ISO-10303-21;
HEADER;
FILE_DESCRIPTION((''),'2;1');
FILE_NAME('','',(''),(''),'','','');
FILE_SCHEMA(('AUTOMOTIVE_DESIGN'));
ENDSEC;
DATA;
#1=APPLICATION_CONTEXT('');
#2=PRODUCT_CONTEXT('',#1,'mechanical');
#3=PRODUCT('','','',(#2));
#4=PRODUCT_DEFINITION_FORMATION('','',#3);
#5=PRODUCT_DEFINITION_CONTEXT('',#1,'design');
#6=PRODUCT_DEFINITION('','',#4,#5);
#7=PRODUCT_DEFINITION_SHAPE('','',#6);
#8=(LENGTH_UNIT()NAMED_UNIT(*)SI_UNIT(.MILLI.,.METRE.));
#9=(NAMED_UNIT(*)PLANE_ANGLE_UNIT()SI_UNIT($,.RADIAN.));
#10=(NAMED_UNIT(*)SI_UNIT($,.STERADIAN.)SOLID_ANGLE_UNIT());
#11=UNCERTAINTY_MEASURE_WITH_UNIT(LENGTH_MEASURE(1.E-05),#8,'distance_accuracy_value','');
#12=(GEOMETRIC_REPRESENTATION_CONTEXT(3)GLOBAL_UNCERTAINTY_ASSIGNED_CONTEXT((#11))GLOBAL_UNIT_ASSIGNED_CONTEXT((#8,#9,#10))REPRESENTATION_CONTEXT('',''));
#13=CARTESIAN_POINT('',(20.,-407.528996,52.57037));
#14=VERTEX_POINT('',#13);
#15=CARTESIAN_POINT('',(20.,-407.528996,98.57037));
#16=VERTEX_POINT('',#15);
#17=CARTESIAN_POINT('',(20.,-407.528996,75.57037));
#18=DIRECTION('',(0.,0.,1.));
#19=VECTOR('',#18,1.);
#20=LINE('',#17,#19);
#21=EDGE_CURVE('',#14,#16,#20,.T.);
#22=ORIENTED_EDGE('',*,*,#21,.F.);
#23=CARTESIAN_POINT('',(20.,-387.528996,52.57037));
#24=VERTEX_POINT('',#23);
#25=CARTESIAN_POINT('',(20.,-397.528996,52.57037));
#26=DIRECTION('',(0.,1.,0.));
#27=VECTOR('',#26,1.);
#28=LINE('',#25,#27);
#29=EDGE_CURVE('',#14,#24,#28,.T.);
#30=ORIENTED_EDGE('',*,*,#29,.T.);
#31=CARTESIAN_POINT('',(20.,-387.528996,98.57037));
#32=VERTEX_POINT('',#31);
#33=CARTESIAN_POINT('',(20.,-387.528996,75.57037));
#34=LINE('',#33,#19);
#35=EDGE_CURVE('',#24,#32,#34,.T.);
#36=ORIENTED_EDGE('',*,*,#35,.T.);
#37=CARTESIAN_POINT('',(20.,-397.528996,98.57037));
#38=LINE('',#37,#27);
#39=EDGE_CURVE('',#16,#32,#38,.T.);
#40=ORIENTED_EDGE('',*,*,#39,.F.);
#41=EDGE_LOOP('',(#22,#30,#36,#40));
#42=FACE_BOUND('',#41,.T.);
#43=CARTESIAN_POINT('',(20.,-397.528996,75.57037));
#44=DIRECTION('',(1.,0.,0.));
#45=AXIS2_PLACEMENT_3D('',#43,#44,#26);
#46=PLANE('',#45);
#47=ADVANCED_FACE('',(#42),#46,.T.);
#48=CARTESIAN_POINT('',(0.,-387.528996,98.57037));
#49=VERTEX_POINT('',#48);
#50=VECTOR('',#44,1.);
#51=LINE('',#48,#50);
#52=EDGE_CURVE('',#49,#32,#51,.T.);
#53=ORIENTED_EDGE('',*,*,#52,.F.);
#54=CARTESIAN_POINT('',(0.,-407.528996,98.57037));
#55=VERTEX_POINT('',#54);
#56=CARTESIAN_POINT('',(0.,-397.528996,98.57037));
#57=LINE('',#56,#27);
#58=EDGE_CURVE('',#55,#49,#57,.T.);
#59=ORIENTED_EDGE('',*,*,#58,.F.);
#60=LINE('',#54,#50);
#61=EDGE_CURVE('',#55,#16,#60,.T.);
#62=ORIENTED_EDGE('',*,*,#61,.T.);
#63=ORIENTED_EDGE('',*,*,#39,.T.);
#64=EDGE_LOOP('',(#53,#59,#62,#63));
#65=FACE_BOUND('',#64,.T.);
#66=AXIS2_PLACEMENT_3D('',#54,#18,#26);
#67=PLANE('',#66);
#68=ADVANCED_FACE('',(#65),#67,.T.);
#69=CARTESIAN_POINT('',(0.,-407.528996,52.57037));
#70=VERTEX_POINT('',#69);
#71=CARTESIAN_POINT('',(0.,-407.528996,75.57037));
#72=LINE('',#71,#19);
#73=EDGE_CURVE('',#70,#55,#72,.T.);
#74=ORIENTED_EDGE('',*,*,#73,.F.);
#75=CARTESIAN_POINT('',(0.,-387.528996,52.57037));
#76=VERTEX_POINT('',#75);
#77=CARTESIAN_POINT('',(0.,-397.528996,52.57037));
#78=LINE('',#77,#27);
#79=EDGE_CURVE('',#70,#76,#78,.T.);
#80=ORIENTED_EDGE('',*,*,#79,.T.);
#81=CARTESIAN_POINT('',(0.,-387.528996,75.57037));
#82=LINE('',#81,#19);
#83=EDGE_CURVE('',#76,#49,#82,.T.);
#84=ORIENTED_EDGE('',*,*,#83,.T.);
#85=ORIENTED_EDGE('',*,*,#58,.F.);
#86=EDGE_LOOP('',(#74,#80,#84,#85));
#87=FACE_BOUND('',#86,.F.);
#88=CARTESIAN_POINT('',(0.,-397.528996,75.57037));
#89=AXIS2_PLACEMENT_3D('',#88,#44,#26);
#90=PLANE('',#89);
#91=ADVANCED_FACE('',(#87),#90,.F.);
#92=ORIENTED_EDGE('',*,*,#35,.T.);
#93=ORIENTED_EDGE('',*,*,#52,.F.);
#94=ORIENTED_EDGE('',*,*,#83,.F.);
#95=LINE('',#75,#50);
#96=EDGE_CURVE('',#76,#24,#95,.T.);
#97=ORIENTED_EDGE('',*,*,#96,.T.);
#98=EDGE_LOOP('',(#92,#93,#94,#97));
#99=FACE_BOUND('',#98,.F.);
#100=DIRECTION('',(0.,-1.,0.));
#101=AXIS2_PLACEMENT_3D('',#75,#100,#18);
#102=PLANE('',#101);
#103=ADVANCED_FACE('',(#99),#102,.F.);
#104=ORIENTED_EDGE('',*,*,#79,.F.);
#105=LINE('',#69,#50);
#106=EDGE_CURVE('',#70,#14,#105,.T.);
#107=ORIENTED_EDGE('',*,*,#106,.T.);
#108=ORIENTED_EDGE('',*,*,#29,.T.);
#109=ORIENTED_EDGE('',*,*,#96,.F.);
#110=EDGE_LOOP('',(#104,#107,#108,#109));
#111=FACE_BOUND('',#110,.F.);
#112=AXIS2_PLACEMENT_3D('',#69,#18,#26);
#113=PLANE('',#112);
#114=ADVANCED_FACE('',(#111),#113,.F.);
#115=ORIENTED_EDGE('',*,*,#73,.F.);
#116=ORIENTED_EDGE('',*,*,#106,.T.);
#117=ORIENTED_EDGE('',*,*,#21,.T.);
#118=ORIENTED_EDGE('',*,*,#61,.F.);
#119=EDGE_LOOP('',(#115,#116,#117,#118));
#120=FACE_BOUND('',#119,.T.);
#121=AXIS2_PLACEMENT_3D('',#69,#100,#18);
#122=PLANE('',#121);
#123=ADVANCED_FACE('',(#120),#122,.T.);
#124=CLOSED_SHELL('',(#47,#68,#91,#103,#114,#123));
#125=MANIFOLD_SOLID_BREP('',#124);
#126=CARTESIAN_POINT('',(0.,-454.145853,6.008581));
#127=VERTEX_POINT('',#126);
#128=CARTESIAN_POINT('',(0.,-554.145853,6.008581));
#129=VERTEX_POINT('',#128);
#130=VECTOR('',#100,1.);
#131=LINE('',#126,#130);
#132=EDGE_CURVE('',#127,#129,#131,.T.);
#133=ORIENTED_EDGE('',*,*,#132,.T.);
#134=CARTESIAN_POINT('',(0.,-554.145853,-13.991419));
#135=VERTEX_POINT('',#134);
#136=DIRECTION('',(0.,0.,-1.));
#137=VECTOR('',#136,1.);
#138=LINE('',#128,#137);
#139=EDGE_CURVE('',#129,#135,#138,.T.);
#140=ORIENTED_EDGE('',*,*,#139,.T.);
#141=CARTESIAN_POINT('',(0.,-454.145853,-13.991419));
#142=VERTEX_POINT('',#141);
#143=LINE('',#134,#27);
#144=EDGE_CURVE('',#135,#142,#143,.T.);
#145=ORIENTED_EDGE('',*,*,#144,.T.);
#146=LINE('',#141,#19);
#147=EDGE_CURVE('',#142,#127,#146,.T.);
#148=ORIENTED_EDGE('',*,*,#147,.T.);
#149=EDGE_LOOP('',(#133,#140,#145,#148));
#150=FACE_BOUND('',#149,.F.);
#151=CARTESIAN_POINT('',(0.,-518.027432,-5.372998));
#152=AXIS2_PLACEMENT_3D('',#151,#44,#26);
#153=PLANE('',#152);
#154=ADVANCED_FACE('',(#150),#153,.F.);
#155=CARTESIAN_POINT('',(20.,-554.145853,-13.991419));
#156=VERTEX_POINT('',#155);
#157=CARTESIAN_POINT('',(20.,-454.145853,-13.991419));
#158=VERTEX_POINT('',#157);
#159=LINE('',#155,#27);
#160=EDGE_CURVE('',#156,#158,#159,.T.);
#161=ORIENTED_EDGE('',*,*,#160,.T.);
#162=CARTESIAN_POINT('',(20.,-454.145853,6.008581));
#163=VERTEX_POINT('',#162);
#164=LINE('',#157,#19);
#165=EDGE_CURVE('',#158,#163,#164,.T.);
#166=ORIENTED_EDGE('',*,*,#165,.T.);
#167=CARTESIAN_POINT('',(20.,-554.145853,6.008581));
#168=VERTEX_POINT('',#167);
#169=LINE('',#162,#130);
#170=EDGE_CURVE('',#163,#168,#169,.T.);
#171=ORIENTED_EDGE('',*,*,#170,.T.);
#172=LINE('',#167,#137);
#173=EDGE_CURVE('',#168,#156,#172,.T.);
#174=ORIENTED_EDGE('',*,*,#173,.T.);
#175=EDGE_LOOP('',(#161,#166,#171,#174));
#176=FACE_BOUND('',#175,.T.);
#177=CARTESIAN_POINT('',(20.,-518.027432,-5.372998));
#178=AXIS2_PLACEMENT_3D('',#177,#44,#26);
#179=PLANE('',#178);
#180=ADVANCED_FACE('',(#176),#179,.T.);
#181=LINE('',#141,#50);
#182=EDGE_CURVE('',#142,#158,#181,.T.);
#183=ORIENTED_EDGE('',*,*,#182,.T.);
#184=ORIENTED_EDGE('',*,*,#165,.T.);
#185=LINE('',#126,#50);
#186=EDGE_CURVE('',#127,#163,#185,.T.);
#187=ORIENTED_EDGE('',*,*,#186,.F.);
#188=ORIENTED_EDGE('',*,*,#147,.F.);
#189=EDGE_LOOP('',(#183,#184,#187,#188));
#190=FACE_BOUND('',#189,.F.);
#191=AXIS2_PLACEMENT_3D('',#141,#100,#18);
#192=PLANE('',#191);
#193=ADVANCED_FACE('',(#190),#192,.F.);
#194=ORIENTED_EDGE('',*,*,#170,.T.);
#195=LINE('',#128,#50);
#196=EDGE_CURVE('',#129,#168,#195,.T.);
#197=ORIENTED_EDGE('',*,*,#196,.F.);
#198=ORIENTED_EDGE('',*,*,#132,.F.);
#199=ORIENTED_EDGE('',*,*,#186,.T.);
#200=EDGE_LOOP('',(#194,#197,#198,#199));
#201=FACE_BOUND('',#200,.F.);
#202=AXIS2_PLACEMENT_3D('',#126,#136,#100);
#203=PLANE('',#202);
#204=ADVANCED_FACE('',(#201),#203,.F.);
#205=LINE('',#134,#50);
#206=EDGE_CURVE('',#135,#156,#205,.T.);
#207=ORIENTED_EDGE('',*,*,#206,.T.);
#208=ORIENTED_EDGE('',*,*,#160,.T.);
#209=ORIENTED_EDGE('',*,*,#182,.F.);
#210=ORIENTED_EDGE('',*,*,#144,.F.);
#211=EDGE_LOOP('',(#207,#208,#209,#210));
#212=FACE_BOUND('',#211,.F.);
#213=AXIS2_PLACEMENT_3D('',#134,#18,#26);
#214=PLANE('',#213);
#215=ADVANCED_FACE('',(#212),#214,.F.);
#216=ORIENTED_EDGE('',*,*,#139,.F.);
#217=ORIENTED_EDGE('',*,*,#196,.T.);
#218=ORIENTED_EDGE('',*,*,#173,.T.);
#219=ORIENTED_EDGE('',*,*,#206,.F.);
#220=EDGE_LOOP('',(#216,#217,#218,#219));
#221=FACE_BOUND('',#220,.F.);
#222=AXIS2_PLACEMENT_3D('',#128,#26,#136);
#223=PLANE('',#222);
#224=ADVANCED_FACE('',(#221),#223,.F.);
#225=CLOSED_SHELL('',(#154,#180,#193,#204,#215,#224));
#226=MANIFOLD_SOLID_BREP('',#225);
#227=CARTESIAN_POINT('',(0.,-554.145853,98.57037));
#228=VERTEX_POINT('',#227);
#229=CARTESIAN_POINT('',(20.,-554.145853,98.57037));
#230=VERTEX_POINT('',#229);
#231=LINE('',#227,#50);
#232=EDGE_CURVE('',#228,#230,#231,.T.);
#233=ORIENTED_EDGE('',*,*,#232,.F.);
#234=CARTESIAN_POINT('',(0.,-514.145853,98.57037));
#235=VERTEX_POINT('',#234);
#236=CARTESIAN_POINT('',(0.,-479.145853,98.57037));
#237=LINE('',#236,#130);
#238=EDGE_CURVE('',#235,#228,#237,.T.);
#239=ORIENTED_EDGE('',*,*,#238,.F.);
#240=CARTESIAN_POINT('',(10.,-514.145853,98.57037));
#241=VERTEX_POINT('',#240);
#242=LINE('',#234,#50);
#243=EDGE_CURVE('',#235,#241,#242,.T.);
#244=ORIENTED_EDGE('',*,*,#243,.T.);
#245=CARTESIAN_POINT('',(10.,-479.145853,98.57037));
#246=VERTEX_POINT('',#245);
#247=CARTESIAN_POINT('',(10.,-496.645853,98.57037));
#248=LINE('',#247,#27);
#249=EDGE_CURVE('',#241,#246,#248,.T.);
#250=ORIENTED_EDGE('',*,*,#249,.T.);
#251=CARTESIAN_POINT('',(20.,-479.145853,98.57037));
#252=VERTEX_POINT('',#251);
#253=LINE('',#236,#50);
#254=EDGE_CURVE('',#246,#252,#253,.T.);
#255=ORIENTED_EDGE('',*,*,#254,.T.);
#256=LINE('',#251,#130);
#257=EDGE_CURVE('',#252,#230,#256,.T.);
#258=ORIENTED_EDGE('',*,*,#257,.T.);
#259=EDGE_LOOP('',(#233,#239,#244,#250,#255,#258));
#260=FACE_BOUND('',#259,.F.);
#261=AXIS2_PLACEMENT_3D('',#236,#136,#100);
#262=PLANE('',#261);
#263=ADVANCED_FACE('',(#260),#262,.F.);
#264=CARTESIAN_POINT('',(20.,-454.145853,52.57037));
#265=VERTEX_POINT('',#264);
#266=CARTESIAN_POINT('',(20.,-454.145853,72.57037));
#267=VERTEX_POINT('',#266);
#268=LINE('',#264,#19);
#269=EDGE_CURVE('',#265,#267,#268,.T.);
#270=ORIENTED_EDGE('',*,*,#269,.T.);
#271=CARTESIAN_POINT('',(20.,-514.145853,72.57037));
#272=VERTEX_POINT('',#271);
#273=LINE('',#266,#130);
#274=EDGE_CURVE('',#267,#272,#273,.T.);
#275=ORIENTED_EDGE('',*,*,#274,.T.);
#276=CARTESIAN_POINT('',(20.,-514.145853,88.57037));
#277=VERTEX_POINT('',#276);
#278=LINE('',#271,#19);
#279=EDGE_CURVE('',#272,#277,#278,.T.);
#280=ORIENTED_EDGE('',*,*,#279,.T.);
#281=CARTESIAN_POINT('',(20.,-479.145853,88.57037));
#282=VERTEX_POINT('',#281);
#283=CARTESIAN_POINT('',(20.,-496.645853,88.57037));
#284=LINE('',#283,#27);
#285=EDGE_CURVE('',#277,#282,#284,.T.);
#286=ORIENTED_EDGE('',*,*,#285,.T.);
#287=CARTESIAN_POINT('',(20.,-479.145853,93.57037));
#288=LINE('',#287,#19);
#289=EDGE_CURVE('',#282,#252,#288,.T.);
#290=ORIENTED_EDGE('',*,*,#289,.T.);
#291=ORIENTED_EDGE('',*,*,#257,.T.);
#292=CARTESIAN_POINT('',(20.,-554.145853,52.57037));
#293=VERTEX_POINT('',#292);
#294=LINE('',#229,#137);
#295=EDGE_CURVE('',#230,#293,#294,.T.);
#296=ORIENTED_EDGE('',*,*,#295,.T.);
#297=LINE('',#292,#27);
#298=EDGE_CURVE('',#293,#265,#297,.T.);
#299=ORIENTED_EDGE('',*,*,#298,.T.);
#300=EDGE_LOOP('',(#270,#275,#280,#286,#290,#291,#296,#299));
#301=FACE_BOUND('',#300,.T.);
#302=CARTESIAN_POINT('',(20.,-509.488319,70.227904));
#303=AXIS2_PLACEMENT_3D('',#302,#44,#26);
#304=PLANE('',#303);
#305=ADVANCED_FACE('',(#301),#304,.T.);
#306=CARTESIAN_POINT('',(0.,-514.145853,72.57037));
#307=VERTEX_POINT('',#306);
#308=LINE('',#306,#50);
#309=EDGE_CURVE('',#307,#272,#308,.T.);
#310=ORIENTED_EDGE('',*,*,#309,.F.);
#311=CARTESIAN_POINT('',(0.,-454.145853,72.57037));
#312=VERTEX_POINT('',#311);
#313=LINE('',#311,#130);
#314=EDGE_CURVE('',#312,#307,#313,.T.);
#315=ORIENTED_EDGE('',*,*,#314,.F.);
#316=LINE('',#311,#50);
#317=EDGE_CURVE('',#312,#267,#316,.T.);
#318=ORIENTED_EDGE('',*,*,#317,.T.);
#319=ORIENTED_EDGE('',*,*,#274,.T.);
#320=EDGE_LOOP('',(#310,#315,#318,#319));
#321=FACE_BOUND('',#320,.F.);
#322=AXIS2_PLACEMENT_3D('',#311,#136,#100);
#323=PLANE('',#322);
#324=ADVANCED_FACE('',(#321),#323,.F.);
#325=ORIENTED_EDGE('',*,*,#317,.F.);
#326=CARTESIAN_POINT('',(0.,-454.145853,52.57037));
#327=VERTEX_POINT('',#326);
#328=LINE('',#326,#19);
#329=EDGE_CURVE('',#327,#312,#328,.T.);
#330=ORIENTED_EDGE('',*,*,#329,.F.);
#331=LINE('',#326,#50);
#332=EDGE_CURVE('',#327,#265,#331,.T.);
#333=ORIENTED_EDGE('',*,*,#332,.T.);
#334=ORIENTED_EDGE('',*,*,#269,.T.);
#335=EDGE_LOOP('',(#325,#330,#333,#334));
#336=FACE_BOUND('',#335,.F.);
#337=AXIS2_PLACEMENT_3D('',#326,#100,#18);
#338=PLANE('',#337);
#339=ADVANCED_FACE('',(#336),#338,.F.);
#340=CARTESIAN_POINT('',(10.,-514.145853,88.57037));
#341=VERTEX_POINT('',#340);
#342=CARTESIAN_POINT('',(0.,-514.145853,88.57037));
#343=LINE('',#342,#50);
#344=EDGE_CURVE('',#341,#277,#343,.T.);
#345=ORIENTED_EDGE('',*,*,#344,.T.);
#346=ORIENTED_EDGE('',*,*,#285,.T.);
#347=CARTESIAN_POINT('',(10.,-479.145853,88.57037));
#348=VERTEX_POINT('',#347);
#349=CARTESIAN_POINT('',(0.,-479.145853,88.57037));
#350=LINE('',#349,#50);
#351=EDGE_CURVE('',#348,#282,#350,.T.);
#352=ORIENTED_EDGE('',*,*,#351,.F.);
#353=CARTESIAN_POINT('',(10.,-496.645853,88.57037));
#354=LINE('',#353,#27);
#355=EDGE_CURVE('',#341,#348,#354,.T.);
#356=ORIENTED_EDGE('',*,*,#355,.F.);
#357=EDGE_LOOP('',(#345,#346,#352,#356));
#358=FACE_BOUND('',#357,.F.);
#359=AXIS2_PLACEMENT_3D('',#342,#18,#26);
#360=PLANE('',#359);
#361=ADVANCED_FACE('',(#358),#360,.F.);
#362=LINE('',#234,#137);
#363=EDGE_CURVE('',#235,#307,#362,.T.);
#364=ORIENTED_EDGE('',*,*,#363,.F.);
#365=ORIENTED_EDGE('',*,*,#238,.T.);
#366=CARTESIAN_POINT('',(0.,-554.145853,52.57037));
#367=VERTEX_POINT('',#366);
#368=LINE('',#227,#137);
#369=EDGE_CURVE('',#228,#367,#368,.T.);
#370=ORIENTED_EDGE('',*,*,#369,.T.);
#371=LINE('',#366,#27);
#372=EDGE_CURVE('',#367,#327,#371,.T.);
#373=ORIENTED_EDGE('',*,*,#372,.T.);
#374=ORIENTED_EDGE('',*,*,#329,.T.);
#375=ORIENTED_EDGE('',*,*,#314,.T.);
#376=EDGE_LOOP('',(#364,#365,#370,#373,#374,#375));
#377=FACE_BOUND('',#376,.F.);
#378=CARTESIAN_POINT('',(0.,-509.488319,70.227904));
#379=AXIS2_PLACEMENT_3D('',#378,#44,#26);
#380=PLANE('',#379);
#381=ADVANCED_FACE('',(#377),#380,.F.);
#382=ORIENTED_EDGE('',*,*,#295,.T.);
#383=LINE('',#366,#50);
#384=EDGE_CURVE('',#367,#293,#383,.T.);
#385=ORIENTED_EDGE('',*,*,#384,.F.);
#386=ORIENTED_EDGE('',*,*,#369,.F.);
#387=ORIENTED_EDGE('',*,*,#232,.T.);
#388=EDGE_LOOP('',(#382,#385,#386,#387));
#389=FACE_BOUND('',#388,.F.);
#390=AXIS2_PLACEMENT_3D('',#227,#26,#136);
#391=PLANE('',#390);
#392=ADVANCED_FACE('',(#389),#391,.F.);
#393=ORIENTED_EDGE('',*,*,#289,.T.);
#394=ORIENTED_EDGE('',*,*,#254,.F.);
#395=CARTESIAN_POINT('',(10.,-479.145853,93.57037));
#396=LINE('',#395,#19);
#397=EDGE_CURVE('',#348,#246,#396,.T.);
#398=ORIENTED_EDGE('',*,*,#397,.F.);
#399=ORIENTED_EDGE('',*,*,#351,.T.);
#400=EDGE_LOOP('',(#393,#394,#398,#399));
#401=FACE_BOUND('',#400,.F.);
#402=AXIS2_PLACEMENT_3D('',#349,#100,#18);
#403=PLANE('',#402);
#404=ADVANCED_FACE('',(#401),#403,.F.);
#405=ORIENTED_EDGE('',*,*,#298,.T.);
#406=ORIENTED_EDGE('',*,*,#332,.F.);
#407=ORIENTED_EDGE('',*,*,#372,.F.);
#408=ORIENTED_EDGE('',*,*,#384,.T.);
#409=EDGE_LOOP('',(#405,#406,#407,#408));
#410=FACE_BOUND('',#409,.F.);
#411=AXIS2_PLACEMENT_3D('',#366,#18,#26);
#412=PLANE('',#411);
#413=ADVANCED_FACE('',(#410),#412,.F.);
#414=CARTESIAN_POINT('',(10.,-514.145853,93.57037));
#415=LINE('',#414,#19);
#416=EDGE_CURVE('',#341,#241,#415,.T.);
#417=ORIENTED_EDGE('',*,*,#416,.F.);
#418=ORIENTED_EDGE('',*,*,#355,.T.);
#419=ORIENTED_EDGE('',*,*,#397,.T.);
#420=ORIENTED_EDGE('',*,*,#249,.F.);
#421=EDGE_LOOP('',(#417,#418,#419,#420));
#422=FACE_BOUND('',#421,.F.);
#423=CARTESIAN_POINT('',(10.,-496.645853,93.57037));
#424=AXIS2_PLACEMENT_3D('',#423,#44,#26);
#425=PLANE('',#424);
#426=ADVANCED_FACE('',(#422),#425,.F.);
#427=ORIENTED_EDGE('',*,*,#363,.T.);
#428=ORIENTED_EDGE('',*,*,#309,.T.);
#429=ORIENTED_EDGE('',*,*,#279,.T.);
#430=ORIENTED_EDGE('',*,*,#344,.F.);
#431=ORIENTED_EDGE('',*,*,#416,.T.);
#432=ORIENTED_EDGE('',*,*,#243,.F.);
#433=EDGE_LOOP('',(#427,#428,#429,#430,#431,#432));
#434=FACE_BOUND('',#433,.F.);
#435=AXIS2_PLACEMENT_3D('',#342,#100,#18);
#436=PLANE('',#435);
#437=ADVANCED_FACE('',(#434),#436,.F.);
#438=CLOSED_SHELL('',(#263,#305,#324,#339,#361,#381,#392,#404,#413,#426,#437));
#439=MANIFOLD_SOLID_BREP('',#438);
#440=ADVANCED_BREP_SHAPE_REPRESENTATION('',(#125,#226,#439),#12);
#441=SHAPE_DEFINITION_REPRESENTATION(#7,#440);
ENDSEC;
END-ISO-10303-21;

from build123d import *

# Parameters (mm, degrees)
F0_W     = 35
F0_H     = 10
F0_W_2   = 20
F0_H_2   = 46
F1_DEPTH = 20
F2_DEPTH = 10


with BuildPart() as f1:
    # F0 (on Right) → F1 (new body)
    with BuildSketch(Plane.YZ):
        Polygon((-554.145853, 98.57037), (-554.145853, 52.57037), (-454.145853, 52.57037), (-454.145853, 72.57037), (-514.145853, 72.57037), (-514.145853, 88.57037), (-514.145853, 98.57037), align=None)
        with Locations((-496.645853, 93.57037)):
            Rectangle(F0_W, F0_H)
        Polygon((-514.145853, 6.008581), (-554.145853, 6.008581), (-554.145853, -13.991419), (-479.145853, -13.991419), (-479.145853, -1.491419), (-514.145853, -1.491419), align=None)
        Polygon((-454.145853, 6.008581), (-514.145853, 6.008581), (-514.145853, -1.491419), (-479.145853, -1.491419), (-479.145853, -13.991419), (-454.145853, -13.991419), align=None)
        with Locations((-397.528996, 75.57037)):
            Rectangle(F0_W_2, F0_H_2)
    extrude(amount=F1_DEPTH)

    # F0 (on Right) → F2 (cut)
    with BuildSketch(Plane.YZ):
        with Locations((-496.645853, 93.57037)):
            Rectangle(F0_W, F0_H)
    extrude(amount=F2_DEPTH, mode=Mode.SUBTRACT)


solid = f1.part
